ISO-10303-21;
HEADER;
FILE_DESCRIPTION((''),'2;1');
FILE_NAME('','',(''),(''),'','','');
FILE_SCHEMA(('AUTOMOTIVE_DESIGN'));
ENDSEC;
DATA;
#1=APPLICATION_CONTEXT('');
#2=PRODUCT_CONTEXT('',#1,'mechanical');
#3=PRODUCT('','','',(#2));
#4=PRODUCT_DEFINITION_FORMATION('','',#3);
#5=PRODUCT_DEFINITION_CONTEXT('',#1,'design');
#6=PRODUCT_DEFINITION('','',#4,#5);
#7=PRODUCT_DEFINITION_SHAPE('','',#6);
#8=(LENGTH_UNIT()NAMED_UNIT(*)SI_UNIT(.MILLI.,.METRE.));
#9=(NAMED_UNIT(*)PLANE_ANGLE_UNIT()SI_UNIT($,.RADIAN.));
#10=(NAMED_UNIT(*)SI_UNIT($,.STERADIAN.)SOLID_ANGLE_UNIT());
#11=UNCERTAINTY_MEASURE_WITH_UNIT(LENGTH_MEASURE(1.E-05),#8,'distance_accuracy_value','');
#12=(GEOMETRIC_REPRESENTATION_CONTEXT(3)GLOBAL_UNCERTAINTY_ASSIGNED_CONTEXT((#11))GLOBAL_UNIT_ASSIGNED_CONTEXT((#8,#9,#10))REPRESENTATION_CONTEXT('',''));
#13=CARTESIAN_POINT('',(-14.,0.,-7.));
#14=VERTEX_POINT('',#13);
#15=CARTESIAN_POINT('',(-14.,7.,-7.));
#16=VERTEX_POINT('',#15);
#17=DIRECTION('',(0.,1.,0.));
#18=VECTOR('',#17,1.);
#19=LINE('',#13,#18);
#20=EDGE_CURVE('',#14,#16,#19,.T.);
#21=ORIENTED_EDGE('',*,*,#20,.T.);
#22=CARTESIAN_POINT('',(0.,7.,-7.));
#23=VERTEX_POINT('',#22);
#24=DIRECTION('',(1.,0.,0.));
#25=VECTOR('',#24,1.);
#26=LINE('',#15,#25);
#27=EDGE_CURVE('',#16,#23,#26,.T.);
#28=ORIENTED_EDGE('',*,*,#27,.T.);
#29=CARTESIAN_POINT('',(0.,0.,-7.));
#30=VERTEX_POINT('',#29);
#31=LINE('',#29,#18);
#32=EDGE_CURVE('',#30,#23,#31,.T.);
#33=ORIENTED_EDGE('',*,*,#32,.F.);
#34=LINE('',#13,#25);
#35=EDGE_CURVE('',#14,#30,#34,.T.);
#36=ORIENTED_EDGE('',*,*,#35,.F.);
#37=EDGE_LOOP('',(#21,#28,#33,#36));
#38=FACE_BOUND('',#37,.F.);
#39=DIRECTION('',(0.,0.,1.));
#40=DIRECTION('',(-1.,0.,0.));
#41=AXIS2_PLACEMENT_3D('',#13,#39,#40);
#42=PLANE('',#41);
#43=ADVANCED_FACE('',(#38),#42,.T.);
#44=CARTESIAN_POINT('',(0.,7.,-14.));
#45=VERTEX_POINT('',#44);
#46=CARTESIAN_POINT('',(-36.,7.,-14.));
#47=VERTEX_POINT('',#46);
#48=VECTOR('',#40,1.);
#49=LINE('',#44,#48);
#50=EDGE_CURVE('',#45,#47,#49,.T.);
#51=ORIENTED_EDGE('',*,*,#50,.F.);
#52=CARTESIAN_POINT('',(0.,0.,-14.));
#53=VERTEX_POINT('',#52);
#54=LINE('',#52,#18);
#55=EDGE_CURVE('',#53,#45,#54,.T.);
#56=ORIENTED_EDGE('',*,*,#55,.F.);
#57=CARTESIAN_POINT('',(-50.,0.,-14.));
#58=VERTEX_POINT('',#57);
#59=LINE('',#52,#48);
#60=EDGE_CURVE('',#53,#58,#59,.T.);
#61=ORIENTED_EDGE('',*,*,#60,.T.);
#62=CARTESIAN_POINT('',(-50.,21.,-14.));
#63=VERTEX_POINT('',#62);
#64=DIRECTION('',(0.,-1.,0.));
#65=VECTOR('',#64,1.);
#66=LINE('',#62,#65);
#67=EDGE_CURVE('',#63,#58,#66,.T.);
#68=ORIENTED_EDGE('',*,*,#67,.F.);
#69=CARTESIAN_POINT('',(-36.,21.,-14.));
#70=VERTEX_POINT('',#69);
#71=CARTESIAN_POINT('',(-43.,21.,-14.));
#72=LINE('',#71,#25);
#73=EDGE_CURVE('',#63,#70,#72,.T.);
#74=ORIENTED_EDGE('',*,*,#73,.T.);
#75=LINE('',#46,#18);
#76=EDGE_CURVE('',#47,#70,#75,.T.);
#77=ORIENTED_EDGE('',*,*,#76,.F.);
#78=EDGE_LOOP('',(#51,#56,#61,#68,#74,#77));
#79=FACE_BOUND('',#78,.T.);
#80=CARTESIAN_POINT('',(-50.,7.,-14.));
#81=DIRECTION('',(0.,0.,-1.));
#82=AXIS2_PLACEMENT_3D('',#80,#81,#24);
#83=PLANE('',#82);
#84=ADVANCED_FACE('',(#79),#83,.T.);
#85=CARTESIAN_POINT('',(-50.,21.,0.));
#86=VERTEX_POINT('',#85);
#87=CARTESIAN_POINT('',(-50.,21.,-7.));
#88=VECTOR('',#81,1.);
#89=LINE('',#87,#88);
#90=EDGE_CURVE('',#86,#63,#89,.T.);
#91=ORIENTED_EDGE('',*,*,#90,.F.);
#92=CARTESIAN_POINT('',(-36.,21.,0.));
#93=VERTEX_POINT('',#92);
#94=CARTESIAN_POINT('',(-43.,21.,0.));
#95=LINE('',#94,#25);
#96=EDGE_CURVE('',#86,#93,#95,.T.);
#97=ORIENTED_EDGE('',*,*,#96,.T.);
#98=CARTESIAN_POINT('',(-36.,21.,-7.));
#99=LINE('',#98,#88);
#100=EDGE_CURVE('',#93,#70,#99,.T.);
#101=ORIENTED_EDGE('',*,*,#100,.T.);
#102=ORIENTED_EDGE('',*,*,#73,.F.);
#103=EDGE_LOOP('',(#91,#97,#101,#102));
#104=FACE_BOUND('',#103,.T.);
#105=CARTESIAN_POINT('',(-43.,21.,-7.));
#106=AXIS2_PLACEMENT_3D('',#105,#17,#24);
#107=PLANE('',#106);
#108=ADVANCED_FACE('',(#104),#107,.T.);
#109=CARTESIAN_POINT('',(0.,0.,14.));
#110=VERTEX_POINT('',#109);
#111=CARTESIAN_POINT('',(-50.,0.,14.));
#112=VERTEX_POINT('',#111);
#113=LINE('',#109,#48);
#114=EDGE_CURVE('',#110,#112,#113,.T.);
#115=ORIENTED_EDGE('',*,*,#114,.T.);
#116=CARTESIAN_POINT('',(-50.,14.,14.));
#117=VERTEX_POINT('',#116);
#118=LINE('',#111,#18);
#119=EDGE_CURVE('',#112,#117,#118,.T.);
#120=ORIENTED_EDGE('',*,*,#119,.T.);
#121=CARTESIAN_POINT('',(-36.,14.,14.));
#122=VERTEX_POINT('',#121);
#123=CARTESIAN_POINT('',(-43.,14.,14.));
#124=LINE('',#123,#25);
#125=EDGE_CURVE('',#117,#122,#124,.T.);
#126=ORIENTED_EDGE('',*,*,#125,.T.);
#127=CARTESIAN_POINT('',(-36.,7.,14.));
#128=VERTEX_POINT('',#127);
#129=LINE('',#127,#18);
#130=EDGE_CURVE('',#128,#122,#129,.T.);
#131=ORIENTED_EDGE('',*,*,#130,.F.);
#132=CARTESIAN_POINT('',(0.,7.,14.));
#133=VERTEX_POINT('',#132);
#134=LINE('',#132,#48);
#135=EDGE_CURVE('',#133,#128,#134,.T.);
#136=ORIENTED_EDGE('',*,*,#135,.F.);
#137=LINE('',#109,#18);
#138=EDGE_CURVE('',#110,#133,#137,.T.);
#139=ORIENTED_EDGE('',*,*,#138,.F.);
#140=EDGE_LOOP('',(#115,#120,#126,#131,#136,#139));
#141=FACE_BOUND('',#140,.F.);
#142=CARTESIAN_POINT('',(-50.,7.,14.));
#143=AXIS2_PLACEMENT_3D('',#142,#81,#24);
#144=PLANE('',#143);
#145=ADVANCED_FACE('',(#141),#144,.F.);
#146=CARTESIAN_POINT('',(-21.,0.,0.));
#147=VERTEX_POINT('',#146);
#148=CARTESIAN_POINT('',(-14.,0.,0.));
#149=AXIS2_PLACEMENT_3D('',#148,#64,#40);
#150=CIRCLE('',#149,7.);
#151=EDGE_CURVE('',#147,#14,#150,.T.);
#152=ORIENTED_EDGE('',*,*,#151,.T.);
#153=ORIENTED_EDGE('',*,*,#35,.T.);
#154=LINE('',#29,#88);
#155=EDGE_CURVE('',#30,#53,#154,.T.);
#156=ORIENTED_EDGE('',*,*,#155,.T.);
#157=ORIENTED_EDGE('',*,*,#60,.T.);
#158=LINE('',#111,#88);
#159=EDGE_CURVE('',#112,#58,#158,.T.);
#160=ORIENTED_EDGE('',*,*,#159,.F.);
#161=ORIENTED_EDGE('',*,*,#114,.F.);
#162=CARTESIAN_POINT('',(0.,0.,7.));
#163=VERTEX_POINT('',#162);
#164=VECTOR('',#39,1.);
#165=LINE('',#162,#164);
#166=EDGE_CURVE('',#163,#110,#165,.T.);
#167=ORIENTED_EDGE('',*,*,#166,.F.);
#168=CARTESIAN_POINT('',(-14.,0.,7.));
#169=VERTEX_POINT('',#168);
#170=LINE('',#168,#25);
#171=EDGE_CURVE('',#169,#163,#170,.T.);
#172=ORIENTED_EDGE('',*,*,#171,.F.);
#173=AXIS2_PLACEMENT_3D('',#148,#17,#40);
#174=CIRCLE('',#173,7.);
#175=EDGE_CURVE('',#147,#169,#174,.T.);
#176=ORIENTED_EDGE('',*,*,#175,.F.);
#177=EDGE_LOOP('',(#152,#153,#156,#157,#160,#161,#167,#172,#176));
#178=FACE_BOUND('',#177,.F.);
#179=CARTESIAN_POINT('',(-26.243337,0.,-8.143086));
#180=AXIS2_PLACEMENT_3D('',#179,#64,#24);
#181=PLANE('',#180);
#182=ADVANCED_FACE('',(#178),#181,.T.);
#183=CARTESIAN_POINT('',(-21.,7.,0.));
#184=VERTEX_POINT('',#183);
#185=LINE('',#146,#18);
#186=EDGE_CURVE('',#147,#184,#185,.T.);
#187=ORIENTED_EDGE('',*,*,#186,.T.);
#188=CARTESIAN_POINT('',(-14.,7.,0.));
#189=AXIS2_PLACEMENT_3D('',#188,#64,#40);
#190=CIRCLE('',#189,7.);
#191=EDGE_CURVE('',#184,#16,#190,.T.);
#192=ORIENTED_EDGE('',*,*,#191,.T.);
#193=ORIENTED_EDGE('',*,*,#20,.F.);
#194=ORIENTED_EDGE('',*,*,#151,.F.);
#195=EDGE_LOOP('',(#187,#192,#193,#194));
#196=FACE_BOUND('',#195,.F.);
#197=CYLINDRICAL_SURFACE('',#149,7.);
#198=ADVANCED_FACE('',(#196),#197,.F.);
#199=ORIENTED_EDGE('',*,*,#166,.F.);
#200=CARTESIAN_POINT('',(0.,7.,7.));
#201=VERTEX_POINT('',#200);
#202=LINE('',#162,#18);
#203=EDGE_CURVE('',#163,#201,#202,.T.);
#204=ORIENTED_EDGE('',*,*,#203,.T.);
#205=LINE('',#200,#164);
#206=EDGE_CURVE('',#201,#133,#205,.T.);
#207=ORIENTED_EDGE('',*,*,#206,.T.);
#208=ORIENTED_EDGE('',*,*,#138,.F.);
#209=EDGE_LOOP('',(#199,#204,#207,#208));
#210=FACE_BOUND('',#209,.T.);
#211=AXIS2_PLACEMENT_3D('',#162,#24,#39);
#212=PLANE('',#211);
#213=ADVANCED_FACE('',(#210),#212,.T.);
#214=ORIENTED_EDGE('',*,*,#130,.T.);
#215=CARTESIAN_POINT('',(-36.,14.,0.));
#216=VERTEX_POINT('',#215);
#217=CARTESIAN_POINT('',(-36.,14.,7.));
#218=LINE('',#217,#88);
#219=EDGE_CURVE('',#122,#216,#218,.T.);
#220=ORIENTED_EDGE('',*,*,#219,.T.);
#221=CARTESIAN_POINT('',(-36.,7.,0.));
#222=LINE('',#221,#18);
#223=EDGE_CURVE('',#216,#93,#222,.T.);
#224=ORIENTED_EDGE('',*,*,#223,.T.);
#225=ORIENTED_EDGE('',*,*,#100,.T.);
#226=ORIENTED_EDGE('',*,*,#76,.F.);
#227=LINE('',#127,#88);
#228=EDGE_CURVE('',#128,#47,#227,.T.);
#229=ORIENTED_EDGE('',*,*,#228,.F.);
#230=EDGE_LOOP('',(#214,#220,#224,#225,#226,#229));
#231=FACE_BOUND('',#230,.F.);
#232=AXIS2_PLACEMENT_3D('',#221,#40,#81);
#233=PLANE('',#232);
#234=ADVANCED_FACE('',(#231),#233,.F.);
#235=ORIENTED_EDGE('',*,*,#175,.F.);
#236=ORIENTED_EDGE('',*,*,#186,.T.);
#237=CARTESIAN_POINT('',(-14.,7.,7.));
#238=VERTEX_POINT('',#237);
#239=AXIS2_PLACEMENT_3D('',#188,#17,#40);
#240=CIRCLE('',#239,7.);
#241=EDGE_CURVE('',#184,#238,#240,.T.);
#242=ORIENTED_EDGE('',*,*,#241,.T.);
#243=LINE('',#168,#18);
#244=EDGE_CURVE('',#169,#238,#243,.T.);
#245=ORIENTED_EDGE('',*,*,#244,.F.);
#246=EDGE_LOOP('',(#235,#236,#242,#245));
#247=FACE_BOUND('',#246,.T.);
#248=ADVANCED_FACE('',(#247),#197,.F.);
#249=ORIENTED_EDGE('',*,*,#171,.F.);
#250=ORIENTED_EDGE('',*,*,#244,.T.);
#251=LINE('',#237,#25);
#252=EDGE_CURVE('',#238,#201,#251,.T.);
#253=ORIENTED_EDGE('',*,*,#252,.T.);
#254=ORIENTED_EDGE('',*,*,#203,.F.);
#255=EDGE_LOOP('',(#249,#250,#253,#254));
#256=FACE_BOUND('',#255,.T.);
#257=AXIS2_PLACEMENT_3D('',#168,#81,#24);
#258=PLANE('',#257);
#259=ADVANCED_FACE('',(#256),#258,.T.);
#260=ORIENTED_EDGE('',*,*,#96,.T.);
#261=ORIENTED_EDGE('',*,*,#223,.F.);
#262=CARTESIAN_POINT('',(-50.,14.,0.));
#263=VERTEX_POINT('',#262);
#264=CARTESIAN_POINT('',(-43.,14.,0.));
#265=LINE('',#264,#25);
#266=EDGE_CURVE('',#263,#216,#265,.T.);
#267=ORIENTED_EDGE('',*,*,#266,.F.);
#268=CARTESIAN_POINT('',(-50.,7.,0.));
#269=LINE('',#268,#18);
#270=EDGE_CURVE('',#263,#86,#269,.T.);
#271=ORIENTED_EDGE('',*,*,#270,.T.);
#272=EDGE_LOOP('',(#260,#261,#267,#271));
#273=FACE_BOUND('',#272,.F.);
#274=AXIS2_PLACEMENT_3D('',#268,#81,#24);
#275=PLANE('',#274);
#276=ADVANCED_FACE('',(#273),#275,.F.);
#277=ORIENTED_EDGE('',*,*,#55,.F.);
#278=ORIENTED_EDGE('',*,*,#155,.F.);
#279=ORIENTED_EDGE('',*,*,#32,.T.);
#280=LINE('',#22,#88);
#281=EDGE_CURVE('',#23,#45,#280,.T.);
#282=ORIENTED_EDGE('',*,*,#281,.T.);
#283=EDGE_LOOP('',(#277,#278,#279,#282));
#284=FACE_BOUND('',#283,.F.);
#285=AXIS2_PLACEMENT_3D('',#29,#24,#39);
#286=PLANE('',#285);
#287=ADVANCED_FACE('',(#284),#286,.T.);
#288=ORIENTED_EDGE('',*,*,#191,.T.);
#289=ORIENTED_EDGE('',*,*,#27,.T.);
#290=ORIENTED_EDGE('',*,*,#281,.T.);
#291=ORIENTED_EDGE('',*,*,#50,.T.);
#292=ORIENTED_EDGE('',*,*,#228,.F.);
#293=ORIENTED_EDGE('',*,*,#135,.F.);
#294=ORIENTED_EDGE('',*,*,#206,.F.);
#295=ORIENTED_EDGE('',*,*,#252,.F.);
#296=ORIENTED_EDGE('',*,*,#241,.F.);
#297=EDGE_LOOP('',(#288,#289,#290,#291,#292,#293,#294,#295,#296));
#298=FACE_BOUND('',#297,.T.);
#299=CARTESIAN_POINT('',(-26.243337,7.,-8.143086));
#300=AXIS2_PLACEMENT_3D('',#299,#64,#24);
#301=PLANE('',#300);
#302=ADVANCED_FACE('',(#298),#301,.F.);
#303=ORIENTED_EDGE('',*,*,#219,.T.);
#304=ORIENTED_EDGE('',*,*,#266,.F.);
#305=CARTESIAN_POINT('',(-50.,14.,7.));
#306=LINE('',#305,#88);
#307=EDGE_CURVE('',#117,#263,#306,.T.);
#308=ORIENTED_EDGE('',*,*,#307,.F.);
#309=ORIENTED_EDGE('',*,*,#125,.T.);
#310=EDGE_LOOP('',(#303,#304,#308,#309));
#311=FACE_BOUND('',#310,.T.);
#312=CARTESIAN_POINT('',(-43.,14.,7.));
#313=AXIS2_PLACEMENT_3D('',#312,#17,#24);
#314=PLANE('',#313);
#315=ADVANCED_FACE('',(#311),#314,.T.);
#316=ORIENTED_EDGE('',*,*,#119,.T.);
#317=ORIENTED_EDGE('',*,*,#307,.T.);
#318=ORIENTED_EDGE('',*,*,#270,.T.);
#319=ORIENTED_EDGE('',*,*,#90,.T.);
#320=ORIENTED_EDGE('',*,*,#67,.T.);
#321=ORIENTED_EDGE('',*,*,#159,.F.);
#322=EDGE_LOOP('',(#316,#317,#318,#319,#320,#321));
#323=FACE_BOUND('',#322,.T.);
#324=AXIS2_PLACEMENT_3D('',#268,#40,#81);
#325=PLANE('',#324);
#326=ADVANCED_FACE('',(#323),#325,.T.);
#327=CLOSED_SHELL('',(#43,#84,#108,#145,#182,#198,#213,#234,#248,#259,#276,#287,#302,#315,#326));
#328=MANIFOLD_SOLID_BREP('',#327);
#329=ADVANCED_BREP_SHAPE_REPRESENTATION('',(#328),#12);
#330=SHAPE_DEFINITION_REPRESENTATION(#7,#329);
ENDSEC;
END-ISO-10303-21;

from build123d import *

# Parameters (mm, degrees)
BOSS_EXTRUDE1_DEPTH = 7
SKETCH2_W           = 14
SKETCH2_H           = 14
BOSS_EXTRUDE2_DEPTH = 7
SKETCH2_3_W         = 14
SKETCH2_3_H         = 14
BOSS_EXTRUDE3_DEPTH = 14


with BuildPart() as part:
    # Sketch1 → Boss-Extrude1 (new body)
    with BuildSketch(Plane(origin=(0, 0, 0), x_dir=(1, 0, 0), z_dir=(0, 1, 0))):
        with BuildLine():
            Line((0, -7), (0, -14))
            Line((0, -14), (-50, -14))
            Line((-50, -14), (-50, 0))
            Line((-50, 0), (-21, 0))
            ThreePointArc((-21, 0), (-18.949747468, -4.949747468), (-14, -7))
            Line((-14, -7), (0, -7))
        make_face()
    extrude(amount=BOSS_EXTRUDE1_DEPTH)

    # Mirror1: part across plane


with BuildPart() as part_1:
    add(part.part)
    add(part.part.mirror(Plane(origin=(-21, 7, 0), x_dir=(1, 0, 0), z_dir=(0, 0, 1))))

    # Sketch2 → Boss-Extrude2 (add)
    with BuildSketch(Plane(origin=(0, 7, 0), x_dir=(1, 0, 0), z_dir=(0, 1, 0))):
        with Locations((-43, -7)):
            Rectangle(SKETCH2_W, SKETCH2_H)
    extrude(amount=BOSS_EXTRUDE2_DEPTH)

    # Sketch2<3> → Boss-Extrude3 (add)
    with BuildSketch(Plane(origin=(0, 7, 0), x_dir=(1, 0, 0), z_dir=(0, 1, 0))):
        with Locations((-43, 7)):
            Rectangle(SKETCH2_3_W, SKETCH2_3_H)
    extrude(amount=BOSS_EXTRUDE3_DEPTH)


solid = part_1.part
